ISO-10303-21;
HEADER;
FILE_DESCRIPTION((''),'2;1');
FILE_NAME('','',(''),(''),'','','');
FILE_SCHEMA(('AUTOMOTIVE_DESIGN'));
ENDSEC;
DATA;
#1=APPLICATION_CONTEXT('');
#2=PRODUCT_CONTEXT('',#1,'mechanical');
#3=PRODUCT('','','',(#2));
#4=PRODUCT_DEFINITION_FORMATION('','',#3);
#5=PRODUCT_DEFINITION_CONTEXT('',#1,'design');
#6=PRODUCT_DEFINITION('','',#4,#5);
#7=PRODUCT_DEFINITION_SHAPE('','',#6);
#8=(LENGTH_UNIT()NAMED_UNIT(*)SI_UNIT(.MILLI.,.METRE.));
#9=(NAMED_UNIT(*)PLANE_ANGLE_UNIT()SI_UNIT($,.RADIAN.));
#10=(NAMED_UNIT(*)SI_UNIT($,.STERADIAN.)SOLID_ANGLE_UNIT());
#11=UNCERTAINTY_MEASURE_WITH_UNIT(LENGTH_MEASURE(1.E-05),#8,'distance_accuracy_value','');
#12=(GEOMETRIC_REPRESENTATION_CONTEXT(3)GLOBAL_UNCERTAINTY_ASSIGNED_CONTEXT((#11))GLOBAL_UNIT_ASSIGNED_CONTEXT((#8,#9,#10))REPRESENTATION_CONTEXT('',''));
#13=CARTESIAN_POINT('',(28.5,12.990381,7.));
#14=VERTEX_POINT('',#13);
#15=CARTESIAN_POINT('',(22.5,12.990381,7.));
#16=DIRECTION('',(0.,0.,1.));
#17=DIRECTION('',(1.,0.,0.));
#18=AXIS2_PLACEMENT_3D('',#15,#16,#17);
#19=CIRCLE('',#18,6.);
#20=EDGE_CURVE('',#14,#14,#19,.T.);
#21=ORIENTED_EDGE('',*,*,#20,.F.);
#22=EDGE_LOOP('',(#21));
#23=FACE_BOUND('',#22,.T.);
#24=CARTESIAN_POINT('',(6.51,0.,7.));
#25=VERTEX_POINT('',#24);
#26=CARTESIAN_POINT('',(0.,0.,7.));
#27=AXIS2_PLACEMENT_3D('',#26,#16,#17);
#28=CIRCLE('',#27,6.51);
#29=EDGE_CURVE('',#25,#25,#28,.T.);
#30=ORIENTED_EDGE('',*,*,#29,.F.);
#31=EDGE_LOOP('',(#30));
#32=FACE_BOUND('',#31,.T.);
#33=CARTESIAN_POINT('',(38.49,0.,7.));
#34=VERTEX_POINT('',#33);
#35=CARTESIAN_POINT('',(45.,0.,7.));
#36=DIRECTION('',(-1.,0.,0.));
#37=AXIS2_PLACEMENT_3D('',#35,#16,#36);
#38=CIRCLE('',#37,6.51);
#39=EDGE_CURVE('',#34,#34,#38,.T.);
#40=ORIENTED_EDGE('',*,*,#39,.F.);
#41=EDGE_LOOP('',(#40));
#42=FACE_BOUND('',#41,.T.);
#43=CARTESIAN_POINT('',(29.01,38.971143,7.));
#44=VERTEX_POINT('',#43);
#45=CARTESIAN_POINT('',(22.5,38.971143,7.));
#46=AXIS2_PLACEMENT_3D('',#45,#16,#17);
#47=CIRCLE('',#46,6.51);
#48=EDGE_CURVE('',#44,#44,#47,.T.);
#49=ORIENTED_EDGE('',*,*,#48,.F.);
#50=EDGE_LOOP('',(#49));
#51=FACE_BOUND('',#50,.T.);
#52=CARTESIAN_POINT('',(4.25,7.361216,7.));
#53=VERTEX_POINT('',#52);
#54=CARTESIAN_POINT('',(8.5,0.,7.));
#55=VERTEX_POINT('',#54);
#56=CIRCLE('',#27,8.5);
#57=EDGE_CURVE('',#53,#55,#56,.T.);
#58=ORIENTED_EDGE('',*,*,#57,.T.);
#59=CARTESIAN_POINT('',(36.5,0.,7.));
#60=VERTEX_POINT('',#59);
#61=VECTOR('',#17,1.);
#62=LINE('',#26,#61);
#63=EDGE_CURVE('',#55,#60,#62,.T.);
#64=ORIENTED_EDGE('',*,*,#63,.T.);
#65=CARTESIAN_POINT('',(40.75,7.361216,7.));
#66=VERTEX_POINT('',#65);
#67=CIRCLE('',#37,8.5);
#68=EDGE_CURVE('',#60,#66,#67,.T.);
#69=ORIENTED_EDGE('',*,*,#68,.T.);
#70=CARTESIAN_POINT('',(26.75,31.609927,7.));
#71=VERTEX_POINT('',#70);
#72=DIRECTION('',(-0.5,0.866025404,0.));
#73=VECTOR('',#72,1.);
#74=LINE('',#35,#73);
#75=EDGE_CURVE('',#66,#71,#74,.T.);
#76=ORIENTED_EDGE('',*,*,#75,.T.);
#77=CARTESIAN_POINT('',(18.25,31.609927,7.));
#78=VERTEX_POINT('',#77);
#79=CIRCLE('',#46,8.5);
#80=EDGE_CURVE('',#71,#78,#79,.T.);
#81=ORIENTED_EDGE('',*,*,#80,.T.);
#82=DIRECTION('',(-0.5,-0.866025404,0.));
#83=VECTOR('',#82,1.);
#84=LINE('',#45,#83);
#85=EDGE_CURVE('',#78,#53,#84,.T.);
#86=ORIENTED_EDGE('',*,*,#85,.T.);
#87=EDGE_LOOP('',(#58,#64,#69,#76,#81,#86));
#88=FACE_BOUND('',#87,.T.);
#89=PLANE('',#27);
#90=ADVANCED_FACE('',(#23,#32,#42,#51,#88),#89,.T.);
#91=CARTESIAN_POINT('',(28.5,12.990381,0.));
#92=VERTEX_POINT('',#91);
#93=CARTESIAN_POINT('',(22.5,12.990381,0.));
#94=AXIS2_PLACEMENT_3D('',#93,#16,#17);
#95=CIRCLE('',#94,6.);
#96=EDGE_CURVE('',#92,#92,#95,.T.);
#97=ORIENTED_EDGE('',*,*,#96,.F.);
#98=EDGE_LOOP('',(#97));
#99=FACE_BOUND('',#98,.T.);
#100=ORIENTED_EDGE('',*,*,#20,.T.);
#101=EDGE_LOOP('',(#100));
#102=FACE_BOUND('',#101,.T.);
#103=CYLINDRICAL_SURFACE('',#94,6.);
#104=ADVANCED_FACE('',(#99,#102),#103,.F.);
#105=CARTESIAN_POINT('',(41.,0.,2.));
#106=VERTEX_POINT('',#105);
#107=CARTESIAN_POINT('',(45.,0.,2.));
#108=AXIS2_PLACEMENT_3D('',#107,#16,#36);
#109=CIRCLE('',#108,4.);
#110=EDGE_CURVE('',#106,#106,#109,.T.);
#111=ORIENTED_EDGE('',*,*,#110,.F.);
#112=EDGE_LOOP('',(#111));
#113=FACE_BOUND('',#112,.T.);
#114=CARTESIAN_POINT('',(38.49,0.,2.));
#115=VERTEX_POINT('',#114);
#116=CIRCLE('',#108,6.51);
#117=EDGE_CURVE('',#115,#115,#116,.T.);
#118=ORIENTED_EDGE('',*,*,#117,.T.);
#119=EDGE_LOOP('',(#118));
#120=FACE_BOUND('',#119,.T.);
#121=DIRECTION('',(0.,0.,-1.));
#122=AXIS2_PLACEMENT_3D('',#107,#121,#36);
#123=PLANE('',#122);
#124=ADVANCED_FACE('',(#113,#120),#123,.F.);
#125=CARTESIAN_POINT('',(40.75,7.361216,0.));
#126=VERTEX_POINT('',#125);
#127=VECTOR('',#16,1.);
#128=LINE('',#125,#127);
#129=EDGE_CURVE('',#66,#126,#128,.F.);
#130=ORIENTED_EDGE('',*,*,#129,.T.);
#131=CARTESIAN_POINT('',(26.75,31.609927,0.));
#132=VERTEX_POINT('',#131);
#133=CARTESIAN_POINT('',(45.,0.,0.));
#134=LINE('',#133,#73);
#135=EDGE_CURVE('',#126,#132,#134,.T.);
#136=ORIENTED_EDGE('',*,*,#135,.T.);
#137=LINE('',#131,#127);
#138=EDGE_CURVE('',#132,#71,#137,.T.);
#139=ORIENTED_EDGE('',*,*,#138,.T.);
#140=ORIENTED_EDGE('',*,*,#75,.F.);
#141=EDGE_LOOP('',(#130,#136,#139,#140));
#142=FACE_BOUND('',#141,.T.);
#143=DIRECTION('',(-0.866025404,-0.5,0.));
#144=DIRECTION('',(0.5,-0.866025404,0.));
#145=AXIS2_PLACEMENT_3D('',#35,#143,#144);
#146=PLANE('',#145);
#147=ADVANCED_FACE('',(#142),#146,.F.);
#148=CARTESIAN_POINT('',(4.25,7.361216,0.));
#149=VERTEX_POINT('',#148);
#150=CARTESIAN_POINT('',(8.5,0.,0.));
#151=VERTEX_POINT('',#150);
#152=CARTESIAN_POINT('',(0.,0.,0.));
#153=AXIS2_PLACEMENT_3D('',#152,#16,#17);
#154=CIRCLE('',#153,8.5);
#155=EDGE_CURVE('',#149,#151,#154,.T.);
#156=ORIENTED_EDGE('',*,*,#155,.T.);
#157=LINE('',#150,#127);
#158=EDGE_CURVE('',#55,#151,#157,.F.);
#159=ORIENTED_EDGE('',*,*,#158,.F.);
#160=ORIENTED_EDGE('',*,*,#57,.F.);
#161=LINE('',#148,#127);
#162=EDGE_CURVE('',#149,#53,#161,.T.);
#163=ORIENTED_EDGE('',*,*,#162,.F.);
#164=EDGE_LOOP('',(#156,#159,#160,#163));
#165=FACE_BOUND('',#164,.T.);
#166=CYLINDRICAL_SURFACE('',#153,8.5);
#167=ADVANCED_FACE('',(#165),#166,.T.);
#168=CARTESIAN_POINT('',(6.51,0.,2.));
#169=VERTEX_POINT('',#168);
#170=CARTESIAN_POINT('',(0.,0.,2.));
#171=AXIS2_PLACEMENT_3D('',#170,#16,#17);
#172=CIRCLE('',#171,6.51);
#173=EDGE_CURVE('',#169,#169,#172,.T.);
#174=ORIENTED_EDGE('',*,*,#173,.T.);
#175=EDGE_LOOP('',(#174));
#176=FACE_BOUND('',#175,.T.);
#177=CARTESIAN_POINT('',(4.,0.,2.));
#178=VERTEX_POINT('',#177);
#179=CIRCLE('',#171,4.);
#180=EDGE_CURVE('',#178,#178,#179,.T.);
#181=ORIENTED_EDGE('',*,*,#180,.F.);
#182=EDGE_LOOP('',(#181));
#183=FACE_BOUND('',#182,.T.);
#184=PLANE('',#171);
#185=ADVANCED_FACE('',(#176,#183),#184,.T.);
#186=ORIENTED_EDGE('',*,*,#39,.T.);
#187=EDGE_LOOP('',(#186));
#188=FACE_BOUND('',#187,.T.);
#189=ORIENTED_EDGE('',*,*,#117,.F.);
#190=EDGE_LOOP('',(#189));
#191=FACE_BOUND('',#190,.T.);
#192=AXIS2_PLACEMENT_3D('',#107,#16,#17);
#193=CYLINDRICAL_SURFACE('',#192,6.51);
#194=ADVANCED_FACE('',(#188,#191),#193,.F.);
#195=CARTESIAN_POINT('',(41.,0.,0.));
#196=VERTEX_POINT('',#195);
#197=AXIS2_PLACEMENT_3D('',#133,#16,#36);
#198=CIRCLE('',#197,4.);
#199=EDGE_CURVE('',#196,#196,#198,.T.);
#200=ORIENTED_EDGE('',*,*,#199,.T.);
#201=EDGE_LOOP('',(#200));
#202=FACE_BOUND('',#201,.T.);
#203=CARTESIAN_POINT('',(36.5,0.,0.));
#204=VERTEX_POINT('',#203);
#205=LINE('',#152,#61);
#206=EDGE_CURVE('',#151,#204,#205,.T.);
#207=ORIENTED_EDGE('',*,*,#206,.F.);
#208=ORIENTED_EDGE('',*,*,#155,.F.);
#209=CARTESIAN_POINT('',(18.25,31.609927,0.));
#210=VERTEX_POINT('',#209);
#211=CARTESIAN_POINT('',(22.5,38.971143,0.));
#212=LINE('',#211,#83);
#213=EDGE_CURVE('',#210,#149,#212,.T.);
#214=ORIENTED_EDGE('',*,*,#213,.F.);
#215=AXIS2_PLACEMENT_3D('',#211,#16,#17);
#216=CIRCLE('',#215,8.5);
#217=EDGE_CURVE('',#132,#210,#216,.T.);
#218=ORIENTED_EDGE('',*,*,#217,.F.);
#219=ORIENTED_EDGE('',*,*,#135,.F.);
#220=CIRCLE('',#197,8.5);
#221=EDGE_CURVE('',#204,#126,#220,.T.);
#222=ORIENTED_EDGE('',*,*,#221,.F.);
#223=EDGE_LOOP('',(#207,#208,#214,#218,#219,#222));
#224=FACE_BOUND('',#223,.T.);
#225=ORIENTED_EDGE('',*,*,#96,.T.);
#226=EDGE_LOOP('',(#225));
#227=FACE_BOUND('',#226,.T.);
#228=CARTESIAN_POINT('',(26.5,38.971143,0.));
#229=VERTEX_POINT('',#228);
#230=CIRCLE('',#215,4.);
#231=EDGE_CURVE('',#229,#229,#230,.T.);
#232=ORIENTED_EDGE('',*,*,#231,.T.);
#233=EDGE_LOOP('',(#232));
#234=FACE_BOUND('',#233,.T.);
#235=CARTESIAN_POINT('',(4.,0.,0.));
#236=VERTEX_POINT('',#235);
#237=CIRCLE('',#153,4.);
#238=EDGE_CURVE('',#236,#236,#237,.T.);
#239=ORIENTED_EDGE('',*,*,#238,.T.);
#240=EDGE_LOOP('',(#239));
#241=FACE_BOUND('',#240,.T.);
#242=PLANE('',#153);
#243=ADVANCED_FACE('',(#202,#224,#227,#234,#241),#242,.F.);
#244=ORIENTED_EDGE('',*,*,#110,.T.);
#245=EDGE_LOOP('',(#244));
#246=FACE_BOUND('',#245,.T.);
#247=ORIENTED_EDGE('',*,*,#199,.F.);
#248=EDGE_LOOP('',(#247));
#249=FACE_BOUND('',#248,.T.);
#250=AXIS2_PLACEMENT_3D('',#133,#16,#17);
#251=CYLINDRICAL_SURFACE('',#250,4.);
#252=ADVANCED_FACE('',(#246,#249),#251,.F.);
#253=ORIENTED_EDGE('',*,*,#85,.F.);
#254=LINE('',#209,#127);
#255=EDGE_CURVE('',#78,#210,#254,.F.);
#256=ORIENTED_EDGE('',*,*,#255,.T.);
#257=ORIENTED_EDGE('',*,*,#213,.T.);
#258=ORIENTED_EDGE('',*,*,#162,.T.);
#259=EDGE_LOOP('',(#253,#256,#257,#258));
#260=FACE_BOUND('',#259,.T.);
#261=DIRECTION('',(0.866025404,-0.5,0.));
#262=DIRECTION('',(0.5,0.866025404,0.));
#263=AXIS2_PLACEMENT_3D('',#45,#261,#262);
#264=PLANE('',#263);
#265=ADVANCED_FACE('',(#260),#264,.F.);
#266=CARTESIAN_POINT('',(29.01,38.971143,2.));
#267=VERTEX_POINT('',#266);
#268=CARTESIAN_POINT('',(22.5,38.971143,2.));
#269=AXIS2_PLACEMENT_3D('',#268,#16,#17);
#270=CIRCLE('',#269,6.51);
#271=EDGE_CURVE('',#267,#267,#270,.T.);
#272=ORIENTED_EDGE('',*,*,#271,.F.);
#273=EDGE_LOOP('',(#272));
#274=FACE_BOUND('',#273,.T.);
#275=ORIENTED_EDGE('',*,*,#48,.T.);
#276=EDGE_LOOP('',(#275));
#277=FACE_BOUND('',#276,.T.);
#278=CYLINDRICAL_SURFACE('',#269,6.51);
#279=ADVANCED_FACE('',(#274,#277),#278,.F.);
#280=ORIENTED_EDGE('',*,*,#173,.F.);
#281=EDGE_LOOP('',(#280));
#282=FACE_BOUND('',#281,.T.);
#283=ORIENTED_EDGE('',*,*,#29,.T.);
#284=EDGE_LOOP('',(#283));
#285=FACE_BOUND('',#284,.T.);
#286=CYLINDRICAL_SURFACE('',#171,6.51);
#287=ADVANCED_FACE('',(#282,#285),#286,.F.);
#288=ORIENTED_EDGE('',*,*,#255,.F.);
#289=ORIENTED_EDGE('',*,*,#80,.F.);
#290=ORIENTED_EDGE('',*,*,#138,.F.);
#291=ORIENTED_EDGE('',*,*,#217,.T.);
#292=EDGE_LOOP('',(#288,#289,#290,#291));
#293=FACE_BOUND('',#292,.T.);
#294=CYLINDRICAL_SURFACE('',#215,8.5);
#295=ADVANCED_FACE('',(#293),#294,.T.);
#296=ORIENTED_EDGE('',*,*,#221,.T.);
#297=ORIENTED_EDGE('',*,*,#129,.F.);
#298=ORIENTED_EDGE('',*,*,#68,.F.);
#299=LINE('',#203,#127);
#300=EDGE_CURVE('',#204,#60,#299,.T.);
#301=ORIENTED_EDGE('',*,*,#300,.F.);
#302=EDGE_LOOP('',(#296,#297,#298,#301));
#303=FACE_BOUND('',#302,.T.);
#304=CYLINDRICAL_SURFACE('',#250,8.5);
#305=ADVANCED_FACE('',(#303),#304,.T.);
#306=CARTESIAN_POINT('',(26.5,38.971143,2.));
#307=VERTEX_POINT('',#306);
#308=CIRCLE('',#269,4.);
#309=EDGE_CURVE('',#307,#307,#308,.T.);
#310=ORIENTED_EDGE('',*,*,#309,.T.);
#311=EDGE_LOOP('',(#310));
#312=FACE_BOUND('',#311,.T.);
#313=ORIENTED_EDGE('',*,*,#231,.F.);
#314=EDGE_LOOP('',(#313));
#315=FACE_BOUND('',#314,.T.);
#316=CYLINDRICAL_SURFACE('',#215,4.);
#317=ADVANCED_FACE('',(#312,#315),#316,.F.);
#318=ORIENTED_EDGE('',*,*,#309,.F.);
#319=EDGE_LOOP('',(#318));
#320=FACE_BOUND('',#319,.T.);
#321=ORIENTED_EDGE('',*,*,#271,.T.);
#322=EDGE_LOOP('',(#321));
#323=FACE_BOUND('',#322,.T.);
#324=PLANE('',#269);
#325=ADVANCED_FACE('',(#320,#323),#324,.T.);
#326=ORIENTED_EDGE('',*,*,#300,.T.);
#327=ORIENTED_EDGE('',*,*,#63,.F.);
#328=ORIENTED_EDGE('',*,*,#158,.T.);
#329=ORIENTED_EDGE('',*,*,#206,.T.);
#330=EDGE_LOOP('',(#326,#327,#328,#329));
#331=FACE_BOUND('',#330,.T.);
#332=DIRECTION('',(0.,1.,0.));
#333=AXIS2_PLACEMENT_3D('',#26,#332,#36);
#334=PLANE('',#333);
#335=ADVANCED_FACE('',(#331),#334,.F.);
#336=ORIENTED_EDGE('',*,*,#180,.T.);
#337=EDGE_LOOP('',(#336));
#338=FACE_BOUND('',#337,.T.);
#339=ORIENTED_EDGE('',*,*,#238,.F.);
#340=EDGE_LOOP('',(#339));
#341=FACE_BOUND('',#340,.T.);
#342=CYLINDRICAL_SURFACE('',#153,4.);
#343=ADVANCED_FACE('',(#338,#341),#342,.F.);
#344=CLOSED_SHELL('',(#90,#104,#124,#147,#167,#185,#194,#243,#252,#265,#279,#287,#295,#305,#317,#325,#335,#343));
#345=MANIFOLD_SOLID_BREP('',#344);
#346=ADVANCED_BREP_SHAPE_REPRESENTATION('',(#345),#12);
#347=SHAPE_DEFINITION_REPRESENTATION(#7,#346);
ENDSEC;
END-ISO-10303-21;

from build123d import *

# Parameters (mm, degrees)
BOSS_EXTRUDE1_DEPTH = 7
SKETCH2_R           = 8.5
BOSS_EXTRUDE2_DEPTH = 7
SKETCH3_R           = 6.51
CUT_EXTRUDE1_DEPTH  = 5
SKETCH4_R           = 4
CUT_EXTRUDE2_DEPTH  = 72.699089491
SKETCH5_R           = 6
CUT_EXTRUDE3_DEPTH  = 72.866260748


with BuildPart() as part:
    # Sketch1 → Boss-Extrude1 (new body)
    with BuildSketch(Plane.XY):
        Polygon((0, 0), (45, 0), (22.5, 38.97114317), align=None)
    extrude(amount=BOSS_EXTRUDE1_DEPTH)

    # Sketch2 → Boss-Extrude2 (add)
    with BuildSketch(Plane.XY.offset(7)):
        Circle(SKETCH2_R)
        with Locations((45, 0)):
            Circle(SKETCH2_R)
        with Locations((22.5, 38.97114317)):
            Circle(SKETCH2_R)
    extrude(amount=-BOSS_EXTRUDE2_DEPTH)

    # Sketch3 → Cut-Extrude1 (cut)
    with BuildSketch(Plane.XY.offset(7)):
        Circle(SKETCH3_R)
        with Locations(Location((45, 0, 0), (0, 0, 180))):
            Circle(SKETCH3_R)
        with Locations((22.5, 38.97114317)):
            Circle(SKETCH3_R)
    extrude(amount=-CUT_EXTRUDE1_DEPTH, mode=Mode.SUBTRACT)

    # Sketch4 → Cut-Extrude2 (cut, through all)
    with BuildSketch(Plane.XY.offset(2)):
        Circle(SKETCH4_R)
        with Locations(Location((45, 0, 0), (0, 0, 180))):
            Circle(SKETCH4_R)
        with Locations((22.5, 38.97114317)):
            Circle(SKETCH4_R)
    extrude(amount=-CUT_EXTRUDE2_DEPTH, mode=Mode.SUBTRACT)

    # Sketch5 → Cut-Extrude3 (cut, through all)
    with BuildSketch(Plane.XY.offset(7)):
        with Locations((22.5, 12.990381057)):
            Circle(SKETCH5_R)
    extrude(amount=-CUT_EXTRUDE3_DEPTH, mode=Mode.SUBTRACT)


solid = part.part
